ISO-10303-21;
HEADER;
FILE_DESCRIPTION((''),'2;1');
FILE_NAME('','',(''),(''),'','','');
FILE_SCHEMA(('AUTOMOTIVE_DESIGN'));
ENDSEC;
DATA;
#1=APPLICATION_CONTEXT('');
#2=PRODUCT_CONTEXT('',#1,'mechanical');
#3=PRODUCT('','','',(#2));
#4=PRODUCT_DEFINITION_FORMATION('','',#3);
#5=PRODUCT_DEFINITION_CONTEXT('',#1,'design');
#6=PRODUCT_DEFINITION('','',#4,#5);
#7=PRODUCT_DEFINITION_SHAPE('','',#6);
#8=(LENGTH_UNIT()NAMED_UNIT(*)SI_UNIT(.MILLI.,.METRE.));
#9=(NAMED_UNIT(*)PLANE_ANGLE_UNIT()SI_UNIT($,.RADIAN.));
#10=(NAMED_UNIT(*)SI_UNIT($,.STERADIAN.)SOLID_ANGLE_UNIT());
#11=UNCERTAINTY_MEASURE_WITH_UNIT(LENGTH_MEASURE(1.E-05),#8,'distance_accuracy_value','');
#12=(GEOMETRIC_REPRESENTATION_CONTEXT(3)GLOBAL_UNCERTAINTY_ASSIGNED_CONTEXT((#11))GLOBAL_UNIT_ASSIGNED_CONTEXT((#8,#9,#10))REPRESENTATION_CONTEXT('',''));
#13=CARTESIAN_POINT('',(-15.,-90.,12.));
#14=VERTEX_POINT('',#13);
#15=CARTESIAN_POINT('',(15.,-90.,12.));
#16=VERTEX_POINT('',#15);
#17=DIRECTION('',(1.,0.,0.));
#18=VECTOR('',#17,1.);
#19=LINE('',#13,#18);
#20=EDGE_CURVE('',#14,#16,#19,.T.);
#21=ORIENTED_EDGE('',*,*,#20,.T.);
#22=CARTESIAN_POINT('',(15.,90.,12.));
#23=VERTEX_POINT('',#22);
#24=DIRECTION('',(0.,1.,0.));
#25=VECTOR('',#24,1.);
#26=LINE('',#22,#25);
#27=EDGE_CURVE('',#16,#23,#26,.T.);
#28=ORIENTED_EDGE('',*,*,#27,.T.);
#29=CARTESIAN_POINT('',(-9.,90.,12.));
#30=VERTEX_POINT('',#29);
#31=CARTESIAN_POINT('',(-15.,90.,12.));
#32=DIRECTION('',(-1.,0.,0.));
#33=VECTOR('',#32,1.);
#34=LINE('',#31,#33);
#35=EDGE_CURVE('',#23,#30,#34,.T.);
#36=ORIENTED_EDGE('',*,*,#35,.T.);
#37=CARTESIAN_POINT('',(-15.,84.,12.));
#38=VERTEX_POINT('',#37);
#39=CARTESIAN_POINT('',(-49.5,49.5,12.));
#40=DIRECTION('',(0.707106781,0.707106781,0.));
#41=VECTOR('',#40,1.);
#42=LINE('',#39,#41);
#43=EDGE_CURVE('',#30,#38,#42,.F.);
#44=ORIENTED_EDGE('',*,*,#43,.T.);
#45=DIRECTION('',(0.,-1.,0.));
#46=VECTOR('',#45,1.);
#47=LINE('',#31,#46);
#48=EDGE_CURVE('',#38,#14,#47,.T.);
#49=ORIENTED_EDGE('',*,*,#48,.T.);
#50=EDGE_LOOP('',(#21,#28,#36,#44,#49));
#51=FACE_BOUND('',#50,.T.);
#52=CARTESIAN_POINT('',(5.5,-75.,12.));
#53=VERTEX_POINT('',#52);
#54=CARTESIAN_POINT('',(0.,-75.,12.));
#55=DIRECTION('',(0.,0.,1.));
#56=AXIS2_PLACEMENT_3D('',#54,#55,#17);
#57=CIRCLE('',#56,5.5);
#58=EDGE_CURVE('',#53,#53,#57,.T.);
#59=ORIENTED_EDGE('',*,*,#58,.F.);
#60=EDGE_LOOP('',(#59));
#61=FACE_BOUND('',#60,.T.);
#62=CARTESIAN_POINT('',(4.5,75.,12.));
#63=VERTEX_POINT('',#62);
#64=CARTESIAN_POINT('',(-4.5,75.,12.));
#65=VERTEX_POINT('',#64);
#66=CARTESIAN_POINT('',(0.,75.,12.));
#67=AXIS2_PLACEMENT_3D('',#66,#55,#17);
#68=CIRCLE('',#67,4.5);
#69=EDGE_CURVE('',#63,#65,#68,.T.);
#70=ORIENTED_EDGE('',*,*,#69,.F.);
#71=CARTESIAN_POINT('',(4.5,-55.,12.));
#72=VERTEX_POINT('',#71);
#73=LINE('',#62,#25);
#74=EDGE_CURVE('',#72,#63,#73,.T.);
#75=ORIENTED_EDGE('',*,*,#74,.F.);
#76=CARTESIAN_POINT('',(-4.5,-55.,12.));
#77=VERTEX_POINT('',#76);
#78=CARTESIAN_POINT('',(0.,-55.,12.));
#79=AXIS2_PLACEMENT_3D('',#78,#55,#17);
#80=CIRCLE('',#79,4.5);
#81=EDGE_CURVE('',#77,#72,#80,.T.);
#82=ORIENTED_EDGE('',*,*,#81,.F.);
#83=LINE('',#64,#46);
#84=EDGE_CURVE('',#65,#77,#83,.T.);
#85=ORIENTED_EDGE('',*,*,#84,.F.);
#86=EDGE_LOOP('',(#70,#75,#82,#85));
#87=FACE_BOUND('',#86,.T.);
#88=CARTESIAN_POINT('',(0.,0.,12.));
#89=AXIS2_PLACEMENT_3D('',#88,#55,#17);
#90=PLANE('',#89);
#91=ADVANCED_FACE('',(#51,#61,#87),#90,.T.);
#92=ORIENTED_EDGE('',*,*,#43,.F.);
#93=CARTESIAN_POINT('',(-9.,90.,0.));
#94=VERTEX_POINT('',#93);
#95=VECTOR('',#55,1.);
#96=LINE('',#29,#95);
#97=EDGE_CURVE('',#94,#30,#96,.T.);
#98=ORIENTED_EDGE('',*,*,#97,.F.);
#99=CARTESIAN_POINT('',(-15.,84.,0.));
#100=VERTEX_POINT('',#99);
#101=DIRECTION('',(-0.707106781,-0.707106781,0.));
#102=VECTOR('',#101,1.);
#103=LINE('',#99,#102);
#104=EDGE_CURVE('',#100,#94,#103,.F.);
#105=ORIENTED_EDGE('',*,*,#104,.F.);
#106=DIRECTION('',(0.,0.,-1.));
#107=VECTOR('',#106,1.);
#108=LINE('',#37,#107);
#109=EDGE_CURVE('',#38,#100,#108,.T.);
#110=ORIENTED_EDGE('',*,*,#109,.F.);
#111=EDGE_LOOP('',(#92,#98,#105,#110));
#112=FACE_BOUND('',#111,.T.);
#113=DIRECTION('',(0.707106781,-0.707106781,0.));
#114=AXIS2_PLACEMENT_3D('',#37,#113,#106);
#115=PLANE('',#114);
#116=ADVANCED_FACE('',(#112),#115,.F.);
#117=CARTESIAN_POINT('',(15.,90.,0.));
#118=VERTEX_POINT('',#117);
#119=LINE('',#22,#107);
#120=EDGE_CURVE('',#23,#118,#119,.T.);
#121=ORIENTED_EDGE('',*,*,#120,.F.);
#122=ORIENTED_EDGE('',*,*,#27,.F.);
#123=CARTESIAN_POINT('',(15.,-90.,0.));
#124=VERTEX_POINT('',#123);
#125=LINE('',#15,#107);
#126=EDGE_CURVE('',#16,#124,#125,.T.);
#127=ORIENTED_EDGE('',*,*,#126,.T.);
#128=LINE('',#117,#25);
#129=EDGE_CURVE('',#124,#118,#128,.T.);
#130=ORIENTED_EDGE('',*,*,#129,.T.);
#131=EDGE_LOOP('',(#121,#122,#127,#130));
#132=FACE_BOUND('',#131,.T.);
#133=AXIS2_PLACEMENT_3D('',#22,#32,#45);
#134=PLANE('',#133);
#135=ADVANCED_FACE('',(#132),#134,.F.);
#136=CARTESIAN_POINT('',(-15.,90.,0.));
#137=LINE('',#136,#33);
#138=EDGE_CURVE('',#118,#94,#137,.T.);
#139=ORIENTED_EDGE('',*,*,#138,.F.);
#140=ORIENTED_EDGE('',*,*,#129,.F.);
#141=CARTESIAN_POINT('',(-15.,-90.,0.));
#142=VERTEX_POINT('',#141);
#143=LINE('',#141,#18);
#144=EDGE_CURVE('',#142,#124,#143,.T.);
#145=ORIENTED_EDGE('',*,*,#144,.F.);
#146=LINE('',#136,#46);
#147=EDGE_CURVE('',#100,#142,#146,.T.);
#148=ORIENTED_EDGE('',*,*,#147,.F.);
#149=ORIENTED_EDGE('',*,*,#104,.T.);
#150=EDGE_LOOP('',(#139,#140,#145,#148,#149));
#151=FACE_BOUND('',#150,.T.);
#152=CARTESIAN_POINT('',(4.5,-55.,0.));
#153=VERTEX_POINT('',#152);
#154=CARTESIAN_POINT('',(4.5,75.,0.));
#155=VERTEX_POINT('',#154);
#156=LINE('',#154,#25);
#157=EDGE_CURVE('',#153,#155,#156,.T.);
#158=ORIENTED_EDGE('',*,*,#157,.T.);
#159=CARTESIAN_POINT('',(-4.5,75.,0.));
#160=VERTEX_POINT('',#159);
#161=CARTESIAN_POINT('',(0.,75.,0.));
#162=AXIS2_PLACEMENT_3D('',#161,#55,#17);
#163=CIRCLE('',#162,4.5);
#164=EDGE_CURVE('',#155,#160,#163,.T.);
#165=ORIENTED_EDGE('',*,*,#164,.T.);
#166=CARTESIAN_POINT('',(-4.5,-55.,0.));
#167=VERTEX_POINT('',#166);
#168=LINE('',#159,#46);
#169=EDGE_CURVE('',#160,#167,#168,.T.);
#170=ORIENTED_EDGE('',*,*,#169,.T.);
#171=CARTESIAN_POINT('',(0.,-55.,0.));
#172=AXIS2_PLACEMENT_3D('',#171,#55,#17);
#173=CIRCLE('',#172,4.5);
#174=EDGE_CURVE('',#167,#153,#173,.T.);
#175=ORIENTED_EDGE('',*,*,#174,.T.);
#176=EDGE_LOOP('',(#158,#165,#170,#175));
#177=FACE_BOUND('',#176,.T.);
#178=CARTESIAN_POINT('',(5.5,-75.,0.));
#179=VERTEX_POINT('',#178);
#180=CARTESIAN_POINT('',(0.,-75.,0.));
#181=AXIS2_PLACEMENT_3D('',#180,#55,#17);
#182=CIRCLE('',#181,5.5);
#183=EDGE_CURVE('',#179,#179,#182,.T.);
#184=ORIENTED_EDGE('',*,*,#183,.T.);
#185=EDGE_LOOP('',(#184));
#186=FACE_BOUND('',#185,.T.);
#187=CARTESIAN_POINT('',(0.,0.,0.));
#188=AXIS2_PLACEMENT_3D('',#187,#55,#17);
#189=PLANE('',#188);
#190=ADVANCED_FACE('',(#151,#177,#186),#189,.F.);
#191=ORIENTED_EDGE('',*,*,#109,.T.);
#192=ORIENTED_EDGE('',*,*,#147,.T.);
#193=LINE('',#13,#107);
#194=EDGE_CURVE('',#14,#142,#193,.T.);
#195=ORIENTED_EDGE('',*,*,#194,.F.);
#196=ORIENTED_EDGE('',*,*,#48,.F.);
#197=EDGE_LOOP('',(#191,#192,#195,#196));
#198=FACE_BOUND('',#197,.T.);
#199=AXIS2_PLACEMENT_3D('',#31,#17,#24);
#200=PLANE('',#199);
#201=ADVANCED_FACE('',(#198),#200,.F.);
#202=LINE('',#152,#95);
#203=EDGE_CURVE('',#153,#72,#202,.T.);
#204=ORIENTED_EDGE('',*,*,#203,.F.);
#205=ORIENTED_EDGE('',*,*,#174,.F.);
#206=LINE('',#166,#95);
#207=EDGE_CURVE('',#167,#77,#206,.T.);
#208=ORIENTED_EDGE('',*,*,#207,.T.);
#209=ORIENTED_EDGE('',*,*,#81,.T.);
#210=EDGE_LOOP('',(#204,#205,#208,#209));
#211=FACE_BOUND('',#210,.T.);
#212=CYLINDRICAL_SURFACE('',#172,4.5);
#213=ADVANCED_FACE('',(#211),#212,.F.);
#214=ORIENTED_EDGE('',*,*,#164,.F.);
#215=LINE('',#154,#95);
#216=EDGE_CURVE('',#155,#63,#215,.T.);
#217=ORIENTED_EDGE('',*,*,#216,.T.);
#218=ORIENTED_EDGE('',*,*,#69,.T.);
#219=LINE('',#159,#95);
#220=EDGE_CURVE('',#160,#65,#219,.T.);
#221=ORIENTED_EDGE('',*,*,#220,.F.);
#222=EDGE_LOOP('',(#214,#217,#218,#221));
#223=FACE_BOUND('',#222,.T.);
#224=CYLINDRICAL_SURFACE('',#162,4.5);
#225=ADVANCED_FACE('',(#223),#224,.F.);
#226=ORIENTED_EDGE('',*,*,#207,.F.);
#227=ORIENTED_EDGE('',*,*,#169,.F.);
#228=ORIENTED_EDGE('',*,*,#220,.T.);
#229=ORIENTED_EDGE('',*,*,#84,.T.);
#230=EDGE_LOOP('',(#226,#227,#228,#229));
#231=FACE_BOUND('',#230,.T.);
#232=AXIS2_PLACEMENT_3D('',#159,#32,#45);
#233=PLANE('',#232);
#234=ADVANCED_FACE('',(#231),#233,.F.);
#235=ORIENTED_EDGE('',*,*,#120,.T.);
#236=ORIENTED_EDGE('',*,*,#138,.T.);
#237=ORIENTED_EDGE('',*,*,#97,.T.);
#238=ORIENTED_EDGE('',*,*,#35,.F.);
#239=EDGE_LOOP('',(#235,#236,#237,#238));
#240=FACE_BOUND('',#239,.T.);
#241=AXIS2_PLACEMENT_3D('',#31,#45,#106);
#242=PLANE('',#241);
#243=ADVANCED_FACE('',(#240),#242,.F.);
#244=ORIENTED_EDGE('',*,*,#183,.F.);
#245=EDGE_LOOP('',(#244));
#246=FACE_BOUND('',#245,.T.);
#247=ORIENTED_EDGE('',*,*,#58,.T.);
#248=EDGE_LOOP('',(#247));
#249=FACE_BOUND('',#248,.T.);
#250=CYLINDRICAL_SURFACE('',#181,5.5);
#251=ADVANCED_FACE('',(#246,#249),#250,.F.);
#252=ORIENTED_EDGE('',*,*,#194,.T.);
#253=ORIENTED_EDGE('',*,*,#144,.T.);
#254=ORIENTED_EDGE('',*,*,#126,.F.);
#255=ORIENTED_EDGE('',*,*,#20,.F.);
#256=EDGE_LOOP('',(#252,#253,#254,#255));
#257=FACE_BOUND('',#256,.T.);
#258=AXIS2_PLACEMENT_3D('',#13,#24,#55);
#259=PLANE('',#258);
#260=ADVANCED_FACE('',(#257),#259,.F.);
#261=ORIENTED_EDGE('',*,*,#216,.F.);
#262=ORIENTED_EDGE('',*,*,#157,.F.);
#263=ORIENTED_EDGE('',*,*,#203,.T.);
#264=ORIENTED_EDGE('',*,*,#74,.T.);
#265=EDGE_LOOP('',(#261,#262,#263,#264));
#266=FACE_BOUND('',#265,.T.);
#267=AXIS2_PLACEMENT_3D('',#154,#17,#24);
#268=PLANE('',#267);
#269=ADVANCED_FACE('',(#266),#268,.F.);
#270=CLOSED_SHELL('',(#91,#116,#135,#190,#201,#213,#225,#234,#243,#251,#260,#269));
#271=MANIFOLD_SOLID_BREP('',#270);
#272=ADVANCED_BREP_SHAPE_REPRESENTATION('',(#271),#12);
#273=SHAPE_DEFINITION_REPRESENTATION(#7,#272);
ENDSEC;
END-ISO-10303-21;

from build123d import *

# Parameters (mm, degrees)
SKETCH_1_W          = 30
SKETCH_1_H          = 180
EXTRUDE_1_DEPTH     = 12
SKETCH_2_R          = 5.5
CUT_EXTRUDE_1_DEPTH = 12
CHAMFER_1_SIZE      = 6


with BuildPart() as part:
    # 草图1 → 凸台-拉伸1 (new body)
    with BuildSketch(Plane.XY):
        Rectangle(SKETCH_1_W, SKETCH_1_H)
    extrude(amount=EXTRUDE_1_DEPTH)

    # 草图2 → 切除-拉伸1 (cut)
    with BuildSketch(Plane.XY.offset(12)):
        with Locations((0, -75)):
            Circle(SKETCH_2_R)
        with BuildLine():
            Line((4.5, 75), (4.5, -55))
            ThreePointArc((4.5, -55), (0, -59.5), (-4.5, -55))
            Line((-4.5, -55), (-4.5, 75))
            ThreePointArc((-4.5, 75), (0, 79.5), (4.5, 75))
        make_face()
    extrude(amount=-CUT_EXTRUDE_1_DEPTH, mode=Mode.SUBTRACT)

    # 倒角1
    chamfer_1_edges = [part.edges().sort_by_distance(p)[0] for p in [
        (-15, 90, 6),
    ]]
    chamfer(chamfer_1_edges, length=CHAMFER_1_SIZE)


solid = part.part
